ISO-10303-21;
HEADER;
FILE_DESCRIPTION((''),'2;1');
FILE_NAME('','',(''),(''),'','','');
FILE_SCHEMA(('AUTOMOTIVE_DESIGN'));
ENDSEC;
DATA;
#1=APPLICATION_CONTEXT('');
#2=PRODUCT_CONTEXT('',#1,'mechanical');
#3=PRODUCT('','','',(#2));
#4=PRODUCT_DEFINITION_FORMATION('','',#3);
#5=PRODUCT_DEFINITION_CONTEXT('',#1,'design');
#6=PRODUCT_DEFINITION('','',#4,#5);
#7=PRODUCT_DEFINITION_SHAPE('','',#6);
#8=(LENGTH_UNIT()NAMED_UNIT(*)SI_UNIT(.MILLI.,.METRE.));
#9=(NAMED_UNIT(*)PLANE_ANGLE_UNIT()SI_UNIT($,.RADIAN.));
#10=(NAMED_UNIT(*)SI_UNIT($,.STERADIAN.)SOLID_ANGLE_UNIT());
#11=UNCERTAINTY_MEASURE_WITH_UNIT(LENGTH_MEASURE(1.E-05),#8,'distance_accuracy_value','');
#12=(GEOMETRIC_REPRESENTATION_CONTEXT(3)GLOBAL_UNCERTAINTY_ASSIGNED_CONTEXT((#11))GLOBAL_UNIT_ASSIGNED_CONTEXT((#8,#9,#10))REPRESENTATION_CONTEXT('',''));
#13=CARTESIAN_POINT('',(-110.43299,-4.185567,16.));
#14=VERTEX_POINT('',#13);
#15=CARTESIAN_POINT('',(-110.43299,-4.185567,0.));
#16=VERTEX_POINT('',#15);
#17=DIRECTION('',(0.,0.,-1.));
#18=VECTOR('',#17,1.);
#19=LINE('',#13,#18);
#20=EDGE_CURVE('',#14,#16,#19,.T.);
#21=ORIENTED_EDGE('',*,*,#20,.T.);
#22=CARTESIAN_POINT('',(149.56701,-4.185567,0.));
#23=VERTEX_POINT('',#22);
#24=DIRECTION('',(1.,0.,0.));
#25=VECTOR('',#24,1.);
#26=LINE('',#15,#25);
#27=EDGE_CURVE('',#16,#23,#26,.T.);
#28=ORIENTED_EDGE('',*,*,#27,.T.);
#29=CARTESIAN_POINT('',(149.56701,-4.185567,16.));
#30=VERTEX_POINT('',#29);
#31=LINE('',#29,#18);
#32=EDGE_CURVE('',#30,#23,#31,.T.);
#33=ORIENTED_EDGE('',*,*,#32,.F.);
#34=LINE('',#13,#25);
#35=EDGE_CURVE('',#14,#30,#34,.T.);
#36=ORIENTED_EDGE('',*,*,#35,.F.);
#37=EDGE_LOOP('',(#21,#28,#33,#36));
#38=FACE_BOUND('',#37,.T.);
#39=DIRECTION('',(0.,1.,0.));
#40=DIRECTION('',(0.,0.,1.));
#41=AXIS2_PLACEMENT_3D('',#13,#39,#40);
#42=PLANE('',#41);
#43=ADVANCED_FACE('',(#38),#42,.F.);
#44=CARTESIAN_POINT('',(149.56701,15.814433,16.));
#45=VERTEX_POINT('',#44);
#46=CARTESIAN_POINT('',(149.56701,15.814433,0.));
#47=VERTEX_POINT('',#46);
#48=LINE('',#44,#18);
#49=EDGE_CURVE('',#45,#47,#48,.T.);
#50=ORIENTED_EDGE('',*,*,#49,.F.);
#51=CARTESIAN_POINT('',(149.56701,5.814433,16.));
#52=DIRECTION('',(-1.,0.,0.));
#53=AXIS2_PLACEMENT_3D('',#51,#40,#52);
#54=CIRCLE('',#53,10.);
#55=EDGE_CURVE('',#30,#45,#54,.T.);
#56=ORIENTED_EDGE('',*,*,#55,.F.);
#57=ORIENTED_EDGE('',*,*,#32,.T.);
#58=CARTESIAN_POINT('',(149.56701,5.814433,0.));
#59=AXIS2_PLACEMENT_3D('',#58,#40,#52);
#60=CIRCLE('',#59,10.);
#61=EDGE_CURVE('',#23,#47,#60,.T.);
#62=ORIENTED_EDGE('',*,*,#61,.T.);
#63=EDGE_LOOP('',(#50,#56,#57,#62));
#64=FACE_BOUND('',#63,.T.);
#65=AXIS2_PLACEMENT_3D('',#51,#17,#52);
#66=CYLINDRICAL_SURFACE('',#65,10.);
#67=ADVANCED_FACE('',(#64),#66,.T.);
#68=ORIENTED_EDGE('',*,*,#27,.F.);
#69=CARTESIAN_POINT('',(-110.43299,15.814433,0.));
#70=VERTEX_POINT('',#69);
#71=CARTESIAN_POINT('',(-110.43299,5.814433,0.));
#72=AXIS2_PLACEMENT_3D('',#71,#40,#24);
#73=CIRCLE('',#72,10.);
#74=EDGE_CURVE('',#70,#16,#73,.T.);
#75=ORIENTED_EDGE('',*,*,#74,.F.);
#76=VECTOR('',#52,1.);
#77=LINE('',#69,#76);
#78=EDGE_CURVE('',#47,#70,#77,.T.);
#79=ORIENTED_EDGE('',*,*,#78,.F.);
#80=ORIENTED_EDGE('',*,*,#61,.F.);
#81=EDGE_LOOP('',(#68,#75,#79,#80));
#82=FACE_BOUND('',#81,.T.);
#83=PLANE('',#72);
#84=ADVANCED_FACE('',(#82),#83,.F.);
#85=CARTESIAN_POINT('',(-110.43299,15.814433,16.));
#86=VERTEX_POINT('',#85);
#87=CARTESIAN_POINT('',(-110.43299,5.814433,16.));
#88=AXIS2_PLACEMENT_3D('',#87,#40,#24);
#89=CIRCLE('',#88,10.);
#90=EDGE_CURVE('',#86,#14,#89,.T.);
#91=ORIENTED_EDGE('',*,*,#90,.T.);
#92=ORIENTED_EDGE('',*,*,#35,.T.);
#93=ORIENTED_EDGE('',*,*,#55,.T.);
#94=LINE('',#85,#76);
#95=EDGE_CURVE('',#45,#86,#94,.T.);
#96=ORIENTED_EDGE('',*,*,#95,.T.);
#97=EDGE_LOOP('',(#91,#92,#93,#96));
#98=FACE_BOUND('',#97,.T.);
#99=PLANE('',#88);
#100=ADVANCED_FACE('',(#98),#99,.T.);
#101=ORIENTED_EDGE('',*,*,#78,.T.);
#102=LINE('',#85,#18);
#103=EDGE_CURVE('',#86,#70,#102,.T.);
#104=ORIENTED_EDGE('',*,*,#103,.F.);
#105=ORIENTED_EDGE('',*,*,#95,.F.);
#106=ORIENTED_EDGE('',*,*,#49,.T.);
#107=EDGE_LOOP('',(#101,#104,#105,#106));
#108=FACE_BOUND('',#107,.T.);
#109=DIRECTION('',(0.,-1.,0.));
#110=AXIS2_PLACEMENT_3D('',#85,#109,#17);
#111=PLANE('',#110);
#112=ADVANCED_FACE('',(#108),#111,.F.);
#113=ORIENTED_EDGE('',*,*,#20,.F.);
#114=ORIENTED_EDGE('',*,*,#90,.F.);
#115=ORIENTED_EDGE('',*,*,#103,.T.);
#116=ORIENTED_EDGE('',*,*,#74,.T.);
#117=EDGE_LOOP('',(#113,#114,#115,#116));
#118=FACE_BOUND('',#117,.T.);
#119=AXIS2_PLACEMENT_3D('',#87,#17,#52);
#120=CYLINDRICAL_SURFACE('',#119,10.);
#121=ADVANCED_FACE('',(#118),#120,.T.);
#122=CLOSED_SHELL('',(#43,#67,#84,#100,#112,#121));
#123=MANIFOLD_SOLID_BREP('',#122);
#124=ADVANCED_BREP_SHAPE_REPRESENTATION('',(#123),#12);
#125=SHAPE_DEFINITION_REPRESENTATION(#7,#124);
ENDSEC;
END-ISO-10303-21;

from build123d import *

# Parameters (mm, degrees)
BOSS_EXTRUDE1_DEPTH = 16


with BuildPart() as part:
    # Sketch1 → Boss-Extrude1 (new body)
    with BuildSketch(Plane.XY):
        with BuildLine():
            Line((-110.432989691, 15.81443299), (149.567010309, 15.81443299))
            ThreePointArc((149.567010309, 15.81443299), (159.567010309, 5.81443299), (149.567010309, -4.18556701))
            Line((149.567010309, -4.18556701), (-110.432989691, -4.18556701))
            ThreePointArc((-110.432989691, -4.18556701), (-120.432989691, 5.81443299), (-110.432989691, 15.81443299))
        make_face()
    extrude(amount=BOSS_EXTRUDE1_DEPTH)


solid = part.part
